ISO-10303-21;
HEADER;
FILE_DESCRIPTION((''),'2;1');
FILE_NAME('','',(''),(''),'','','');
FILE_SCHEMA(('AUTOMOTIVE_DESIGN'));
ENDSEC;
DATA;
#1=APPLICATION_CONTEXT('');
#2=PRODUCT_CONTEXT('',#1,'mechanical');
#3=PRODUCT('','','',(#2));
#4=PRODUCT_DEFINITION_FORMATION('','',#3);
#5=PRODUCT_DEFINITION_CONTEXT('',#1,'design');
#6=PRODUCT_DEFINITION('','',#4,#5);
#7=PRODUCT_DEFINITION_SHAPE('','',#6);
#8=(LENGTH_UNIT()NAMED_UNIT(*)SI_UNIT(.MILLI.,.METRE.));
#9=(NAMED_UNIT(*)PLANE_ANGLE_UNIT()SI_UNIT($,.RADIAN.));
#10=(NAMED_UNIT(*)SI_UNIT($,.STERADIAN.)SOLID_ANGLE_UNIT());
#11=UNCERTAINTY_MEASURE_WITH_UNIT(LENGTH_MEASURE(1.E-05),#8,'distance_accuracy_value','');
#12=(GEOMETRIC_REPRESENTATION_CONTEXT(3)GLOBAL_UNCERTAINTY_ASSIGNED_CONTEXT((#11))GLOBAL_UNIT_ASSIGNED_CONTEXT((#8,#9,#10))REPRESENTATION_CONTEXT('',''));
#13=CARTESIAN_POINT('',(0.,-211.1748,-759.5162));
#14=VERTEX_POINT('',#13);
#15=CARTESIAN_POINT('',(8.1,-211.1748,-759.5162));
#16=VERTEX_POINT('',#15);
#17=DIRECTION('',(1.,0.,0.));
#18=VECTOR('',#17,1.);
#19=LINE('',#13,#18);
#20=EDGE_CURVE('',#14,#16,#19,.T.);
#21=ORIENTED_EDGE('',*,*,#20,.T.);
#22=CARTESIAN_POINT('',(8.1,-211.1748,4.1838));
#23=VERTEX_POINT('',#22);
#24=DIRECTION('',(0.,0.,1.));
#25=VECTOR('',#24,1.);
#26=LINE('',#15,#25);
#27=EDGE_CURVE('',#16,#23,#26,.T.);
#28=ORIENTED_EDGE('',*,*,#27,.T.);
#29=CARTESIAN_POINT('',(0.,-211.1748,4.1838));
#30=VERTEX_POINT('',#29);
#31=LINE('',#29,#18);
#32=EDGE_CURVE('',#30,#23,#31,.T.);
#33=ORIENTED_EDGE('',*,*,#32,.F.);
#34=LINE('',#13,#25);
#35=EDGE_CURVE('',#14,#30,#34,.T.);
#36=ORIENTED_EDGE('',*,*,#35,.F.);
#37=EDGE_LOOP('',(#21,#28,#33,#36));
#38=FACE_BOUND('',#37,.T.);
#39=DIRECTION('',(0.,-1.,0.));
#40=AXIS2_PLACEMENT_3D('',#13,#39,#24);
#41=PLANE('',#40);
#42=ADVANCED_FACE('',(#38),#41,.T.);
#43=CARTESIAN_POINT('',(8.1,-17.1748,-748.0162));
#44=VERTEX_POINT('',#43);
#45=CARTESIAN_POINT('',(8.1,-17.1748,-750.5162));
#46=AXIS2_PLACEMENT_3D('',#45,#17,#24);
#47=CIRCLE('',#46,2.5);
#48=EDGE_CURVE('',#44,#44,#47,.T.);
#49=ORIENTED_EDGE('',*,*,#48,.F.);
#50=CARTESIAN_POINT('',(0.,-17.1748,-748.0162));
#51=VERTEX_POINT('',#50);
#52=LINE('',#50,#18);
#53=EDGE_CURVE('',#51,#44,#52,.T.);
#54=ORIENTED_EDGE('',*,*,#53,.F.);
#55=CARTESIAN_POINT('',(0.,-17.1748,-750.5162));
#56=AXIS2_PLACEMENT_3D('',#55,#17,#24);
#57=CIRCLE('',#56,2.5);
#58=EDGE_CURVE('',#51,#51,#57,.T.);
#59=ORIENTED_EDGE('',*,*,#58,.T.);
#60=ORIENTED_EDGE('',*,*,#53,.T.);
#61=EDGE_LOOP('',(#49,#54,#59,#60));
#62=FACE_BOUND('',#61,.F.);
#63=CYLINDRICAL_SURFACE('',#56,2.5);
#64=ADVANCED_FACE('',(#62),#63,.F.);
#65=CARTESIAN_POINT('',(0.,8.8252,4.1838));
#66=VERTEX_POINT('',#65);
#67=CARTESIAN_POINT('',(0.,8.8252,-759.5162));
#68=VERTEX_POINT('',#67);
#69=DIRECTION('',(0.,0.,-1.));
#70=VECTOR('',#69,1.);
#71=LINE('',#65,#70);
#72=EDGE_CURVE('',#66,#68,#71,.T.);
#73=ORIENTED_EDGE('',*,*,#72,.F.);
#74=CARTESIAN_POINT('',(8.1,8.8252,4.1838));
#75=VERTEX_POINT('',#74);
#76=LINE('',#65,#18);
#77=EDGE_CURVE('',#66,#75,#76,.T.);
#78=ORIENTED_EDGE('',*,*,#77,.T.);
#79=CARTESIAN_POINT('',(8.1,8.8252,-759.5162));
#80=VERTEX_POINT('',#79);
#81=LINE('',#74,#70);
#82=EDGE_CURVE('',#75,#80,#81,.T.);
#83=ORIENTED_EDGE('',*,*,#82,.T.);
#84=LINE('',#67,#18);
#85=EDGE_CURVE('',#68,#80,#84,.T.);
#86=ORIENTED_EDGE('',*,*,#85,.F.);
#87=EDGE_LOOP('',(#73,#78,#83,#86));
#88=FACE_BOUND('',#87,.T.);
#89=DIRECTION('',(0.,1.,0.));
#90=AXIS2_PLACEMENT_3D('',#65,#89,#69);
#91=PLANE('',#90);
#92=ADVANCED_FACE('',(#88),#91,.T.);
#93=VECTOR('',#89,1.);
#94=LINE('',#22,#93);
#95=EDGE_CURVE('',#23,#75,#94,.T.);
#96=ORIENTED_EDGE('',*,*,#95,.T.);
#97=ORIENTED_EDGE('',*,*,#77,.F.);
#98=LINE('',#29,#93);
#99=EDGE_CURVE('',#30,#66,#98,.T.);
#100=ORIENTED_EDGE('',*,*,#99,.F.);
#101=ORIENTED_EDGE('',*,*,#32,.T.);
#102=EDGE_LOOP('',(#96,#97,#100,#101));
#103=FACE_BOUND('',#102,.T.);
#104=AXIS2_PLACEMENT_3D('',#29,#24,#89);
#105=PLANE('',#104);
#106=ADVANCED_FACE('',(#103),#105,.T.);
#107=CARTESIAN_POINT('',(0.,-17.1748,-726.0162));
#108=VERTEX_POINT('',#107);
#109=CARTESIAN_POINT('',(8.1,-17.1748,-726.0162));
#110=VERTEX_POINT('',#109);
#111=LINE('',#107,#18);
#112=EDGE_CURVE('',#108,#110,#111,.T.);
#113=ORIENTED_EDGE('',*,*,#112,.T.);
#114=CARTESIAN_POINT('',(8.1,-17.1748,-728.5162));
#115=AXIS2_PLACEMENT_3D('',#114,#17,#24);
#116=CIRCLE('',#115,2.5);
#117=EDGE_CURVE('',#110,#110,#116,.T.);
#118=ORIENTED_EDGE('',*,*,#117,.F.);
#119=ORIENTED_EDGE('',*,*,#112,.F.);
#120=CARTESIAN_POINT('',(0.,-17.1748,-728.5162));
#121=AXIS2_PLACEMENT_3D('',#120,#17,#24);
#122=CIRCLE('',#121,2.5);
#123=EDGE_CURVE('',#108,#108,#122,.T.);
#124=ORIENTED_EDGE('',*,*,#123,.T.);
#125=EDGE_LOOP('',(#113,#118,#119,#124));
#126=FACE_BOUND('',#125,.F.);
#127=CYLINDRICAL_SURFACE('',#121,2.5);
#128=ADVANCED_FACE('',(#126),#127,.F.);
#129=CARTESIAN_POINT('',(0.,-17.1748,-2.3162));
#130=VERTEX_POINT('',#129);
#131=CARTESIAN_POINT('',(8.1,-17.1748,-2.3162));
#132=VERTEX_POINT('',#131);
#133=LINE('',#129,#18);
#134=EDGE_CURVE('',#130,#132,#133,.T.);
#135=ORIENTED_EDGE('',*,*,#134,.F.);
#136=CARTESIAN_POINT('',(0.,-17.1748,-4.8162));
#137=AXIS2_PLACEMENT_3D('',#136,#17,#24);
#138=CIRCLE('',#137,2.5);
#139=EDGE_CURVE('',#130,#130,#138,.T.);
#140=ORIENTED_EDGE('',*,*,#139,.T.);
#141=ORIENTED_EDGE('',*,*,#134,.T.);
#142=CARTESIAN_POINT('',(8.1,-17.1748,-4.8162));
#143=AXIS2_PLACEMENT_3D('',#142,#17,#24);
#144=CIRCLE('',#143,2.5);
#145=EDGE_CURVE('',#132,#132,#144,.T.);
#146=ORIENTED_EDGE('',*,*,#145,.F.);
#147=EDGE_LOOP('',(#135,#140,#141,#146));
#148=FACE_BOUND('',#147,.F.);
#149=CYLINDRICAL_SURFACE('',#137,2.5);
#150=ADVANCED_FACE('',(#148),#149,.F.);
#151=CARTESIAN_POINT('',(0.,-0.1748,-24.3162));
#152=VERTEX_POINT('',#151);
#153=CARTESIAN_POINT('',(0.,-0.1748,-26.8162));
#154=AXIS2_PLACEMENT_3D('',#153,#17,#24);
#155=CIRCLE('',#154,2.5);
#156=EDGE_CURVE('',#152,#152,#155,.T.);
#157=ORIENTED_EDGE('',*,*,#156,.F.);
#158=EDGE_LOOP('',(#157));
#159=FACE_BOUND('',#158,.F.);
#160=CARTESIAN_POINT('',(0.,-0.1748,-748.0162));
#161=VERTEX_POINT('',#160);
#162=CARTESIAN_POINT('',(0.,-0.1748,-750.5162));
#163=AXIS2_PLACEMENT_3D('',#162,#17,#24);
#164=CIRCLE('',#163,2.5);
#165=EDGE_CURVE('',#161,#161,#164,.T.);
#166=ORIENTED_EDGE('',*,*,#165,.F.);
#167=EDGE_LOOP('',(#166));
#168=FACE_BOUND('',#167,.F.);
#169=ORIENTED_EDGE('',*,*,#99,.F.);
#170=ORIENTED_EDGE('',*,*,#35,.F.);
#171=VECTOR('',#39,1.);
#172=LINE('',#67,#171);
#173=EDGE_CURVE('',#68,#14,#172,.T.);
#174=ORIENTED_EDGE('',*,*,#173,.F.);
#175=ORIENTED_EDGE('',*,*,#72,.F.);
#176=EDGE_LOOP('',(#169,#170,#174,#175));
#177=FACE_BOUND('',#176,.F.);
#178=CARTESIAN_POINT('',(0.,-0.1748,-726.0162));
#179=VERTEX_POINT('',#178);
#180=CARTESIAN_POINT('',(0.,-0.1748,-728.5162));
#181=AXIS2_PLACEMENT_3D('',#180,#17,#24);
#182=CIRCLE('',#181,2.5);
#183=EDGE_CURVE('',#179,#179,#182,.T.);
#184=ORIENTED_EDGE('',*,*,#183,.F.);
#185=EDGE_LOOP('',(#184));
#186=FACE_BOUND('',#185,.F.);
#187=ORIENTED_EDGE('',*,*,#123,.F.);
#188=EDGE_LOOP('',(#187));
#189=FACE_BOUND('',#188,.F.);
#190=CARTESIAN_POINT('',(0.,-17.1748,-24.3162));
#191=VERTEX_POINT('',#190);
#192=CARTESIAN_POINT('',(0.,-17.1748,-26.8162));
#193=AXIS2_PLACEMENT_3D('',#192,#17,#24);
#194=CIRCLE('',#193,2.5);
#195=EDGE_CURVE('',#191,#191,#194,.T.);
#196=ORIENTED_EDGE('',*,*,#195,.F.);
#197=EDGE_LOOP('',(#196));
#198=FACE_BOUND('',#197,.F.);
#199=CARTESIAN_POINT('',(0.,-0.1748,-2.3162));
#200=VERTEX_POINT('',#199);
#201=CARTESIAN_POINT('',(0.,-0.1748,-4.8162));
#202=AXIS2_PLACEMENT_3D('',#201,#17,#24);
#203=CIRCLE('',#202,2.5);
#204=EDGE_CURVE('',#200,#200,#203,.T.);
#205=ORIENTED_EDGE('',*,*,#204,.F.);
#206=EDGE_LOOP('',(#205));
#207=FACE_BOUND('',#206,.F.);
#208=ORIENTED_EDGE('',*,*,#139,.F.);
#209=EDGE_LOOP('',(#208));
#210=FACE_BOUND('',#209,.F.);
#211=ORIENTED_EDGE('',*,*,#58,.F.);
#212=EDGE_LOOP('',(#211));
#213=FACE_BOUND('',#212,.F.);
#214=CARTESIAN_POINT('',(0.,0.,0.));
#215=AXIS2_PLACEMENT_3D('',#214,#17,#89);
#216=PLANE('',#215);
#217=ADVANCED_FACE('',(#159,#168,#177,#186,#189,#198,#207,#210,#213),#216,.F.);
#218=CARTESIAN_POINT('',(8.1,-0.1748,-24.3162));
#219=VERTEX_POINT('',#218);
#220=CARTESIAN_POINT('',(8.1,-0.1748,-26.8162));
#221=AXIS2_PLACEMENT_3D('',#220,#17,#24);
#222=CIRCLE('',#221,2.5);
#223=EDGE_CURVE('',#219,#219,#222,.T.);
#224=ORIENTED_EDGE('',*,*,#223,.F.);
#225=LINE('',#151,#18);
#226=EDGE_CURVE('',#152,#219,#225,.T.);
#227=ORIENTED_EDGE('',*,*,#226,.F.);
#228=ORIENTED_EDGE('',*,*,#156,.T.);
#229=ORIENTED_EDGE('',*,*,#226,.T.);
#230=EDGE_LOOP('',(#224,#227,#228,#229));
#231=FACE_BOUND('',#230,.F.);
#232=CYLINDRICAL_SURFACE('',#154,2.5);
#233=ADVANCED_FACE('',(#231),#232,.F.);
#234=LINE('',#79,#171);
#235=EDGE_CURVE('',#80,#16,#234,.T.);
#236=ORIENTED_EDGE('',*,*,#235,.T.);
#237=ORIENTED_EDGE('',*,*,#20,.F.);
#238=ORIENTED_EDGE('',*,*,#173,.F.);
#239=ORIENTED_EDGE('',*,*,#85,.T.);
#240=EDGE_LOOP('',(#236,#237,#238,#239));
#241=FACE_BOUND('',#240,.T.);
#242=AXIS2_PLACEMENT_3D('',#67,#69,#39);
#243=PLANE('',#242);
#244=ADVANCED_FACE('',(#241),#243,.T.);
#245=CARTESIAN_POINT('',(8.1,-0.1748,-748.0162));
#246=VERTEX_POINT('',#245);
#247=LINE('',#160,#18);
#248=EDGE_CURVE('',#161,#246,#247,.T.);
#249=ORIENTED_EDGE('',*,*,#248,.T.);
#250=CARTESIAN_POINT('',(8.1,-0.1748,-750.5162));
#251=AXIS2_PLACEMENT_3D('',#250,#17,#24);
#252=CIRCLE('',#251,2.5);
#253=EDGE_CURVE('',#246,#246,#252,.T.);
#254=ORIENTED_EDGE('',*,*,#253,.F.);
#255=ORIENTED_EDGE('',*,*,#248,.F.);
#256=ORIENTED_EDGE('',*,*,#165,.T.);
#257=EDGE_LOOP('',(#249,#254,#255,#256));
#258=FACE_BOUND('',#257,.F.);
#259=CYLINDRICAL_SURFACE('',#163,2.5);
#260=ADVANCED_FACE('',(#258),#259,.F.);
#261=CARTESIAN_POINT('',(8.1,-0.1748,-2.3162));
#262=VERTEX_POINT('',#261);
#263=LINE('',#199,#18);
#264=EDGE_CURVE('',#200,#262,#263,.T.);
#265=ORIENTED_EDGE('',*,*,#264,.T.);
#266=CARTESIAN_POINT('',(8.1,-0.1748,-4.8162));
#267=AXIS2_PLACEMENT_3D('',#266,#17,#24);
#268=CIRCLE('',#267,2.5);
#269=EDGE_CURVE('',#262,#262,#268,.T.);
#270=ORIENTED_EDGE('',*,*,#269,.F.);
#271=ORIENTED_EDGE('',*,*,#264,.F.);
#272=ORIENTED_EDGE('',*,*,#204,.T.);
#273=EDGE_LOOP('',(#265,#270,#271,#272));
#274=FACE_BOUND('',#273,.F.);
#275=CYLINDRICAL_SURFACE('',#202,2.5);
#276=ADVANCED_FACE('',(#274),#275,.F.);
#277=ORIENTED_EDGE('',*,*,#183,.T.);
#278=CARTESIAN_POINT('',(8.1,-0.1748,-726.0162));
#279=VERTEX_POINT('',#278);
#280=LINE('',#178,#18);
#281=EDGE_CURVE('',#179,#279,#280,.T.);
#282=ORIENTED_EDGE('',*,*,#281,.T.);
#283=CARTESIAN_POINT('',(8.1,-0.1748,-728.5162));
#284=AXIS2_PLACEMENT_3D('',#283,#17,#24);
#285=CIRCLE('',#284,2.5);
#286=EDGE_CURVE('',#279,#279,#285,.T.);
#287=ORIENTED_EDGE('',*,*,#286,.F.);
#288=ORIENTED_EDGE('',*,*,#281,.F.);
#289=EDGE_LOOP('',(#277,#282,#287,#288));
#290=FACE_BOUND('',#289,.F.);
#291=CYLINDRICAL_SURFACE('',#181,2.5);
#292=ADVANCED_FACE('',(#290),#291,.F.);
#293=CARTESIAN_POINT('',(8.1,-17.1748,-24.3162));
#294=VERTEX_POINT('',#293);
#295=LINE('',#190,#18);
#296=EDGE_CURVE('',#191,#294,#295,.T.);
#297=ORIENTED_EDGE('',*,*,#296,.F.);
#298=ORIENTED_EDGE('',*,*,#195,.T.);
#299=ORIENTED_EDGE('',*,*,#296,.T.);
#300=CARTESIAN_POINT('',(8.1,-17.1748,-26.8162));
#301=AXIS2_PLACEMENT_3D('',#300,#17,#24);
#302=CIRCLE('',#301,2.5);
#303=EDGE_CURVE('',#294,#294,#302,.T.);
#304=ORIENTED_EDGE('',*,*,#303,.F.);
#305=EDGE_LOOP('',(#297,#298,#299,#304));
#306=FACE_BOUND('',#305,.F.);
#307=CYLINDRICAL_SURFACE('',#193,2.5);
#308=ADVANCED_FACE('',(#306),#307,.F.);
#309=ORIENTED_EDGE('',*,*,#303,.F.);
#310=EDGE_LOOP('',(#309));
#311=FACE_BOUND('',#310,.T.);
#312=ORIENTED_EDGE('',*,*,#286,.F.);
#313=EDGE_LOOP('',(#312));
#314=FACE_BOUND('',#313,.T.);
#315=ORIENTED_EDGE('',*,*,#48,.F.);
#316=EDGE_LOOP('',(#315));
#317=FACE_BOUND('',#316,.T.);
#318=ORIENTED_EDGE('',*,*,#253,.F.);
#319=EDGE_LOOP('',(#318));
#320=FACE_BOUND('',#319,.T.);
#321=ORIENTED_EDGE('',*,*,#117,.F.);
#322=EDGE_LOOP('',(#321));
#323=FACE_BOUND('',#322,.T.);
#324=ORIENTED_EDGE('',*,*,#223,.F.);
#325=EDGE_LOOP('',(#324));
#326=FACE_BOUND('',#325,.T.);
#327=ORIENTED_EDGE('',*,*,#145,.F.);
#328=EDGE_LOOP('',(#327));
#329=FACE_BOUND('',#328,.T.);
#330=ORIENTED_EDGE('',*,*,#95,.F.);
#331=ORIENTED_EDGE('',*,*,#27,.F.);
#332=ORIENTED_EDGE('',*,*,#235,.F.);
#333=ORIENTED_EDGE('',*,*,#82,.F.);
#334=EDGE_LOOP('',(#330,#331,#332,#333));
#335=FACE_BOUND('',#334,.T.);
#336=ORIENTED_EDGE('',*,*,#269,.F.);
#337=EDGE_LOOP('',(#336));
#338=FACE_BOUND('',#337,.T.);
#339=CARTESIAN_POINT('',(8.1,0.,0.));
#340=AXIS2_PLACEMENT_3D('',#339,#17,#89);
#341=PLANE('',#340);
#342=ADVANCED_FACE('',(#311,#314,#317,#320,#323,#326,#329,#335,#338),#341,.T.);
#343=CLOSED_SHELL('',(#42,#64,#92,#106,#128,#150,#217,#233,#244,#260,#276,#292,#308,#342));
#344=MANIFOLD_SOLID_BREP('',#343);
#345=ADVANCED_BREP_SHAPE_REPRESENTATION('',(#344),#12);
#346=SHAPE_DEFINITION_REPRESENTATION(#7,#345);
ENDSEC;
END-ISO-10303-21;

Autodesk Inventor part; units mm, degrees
ref_plane "YZ Plane" through (0, 0, 0) normal (1, 0, 0) x (0, 1, 0)
ref_plane "XZ Plane" through (0, 0, 0) normal (0, 1, 0) x (-1, 0, 0)
ref_plane "XY Plane" through (0, 0, 0) normal (0, 0, 1) x (1, 0, 0)
sketch "Skizze1" plane through (0, 0, 0) normal (1, 0, 0) x (0, 1, 0)
  line L0 (-211.1748, 4.1838) -> (8.8252, 4.1838)
  line L1 (8.8252, 4.1838) -> (8.8252, -759.5162)
  line L2 (8.8252, -759.5162) -> (-211.1748, -759.5162)
  line L3 (-211.1748, -759.5162) -> (-211.1748, 4.1838)
  point P0 (0, 0)
  dimension "d0" = 763.7
  dimension "d1" = 220
extrude "Extrusion1" add sketch "Skizze1" along normal blind 8.1
sketch "Skizze2" plane through (0, 0, 0) normal (-1, 0, 0) x (0, 0, 1)
  circle A0 centre (-4.8162, -0.1748) radius 2.5
  line L0 (4.1838, 8.8252) -> (4.1838, -211.1748) projected
  line L1 (-759.5162, 8.8252) -> (4.1838, 8.8252) projected
  circle A1 centre (-4.8162, -17.1748) radius 2.5
  circle A2 centre (-26.8162, -17.1748) radius 2.5
  circle A3 centre (-26.8162, -0.1748) radius 2.5
  line L2 (-377.6662, 9.6508) -> (-377.6662, -210.3492) construction
  line L3 (4.1838, -211.1748) -> (-759.5162, -211.1748) projected
  line L4 (-377.6662, 8.8252) -> (-157.6662, 8.8252) construction
  circle A4 centre (-750.5162, -0.1748) radius 2.5
  circle A5 centre (-750.5162, -17.1748) radius 2.5
  circle A6 centre (-728.5162, -17.1748) radius 2.5
  circle A7 centre (-728.5162, -0.1748) radius 2.5
  point P0 (0, 0)
  point P1 (-755.3323, 0)
  dimension "d4" = 5
  dimension "d5" = 9
  dimension "d6" = 9
  dimension "d7" = 5
  dimension "d8" = 5
  dimension "d9" = 5
  dimension "d10" = 17
  dimension "d11" = 9
  dimension "d12" = 22
  dimension "d13" = 17
  dimension "d14" = 17
  dimension "d15" = 22
  dimension "d17" = 381.85
hole "Bohrung1" at (0, -0.1748, -4.8162) direction (1, 0, 0) diameter 5 end through all
hole "Bohrung2" at (0, -17.1748, -4.8162) direction (1, 0, 0) diameter 5 end through all
hole "Bohrung3" at (0, -17.1748, -26.8162) direction (1, 0, 0) diameter 5 end through all
hole "Bohrung4" at (0, -0.1748, -26.8162) at (0, -17.1748, -750.5162) direction (1, 0, 0) diameter 5 end through all
hole "Bohrung5" at (0, -0.1748, -750.5162) direction (1, 0, 0) diameter 5 end through all
hole "Bohrung6" at (0, -0.1748, -728.5162) direction (1, 0, 0) diameter 5 end through all
hole "Bohrung7" at (0, -17.1748, -728.5162) direction (1, 0, 0) diameter 5 end through all
properties part number "FahneHolz"
